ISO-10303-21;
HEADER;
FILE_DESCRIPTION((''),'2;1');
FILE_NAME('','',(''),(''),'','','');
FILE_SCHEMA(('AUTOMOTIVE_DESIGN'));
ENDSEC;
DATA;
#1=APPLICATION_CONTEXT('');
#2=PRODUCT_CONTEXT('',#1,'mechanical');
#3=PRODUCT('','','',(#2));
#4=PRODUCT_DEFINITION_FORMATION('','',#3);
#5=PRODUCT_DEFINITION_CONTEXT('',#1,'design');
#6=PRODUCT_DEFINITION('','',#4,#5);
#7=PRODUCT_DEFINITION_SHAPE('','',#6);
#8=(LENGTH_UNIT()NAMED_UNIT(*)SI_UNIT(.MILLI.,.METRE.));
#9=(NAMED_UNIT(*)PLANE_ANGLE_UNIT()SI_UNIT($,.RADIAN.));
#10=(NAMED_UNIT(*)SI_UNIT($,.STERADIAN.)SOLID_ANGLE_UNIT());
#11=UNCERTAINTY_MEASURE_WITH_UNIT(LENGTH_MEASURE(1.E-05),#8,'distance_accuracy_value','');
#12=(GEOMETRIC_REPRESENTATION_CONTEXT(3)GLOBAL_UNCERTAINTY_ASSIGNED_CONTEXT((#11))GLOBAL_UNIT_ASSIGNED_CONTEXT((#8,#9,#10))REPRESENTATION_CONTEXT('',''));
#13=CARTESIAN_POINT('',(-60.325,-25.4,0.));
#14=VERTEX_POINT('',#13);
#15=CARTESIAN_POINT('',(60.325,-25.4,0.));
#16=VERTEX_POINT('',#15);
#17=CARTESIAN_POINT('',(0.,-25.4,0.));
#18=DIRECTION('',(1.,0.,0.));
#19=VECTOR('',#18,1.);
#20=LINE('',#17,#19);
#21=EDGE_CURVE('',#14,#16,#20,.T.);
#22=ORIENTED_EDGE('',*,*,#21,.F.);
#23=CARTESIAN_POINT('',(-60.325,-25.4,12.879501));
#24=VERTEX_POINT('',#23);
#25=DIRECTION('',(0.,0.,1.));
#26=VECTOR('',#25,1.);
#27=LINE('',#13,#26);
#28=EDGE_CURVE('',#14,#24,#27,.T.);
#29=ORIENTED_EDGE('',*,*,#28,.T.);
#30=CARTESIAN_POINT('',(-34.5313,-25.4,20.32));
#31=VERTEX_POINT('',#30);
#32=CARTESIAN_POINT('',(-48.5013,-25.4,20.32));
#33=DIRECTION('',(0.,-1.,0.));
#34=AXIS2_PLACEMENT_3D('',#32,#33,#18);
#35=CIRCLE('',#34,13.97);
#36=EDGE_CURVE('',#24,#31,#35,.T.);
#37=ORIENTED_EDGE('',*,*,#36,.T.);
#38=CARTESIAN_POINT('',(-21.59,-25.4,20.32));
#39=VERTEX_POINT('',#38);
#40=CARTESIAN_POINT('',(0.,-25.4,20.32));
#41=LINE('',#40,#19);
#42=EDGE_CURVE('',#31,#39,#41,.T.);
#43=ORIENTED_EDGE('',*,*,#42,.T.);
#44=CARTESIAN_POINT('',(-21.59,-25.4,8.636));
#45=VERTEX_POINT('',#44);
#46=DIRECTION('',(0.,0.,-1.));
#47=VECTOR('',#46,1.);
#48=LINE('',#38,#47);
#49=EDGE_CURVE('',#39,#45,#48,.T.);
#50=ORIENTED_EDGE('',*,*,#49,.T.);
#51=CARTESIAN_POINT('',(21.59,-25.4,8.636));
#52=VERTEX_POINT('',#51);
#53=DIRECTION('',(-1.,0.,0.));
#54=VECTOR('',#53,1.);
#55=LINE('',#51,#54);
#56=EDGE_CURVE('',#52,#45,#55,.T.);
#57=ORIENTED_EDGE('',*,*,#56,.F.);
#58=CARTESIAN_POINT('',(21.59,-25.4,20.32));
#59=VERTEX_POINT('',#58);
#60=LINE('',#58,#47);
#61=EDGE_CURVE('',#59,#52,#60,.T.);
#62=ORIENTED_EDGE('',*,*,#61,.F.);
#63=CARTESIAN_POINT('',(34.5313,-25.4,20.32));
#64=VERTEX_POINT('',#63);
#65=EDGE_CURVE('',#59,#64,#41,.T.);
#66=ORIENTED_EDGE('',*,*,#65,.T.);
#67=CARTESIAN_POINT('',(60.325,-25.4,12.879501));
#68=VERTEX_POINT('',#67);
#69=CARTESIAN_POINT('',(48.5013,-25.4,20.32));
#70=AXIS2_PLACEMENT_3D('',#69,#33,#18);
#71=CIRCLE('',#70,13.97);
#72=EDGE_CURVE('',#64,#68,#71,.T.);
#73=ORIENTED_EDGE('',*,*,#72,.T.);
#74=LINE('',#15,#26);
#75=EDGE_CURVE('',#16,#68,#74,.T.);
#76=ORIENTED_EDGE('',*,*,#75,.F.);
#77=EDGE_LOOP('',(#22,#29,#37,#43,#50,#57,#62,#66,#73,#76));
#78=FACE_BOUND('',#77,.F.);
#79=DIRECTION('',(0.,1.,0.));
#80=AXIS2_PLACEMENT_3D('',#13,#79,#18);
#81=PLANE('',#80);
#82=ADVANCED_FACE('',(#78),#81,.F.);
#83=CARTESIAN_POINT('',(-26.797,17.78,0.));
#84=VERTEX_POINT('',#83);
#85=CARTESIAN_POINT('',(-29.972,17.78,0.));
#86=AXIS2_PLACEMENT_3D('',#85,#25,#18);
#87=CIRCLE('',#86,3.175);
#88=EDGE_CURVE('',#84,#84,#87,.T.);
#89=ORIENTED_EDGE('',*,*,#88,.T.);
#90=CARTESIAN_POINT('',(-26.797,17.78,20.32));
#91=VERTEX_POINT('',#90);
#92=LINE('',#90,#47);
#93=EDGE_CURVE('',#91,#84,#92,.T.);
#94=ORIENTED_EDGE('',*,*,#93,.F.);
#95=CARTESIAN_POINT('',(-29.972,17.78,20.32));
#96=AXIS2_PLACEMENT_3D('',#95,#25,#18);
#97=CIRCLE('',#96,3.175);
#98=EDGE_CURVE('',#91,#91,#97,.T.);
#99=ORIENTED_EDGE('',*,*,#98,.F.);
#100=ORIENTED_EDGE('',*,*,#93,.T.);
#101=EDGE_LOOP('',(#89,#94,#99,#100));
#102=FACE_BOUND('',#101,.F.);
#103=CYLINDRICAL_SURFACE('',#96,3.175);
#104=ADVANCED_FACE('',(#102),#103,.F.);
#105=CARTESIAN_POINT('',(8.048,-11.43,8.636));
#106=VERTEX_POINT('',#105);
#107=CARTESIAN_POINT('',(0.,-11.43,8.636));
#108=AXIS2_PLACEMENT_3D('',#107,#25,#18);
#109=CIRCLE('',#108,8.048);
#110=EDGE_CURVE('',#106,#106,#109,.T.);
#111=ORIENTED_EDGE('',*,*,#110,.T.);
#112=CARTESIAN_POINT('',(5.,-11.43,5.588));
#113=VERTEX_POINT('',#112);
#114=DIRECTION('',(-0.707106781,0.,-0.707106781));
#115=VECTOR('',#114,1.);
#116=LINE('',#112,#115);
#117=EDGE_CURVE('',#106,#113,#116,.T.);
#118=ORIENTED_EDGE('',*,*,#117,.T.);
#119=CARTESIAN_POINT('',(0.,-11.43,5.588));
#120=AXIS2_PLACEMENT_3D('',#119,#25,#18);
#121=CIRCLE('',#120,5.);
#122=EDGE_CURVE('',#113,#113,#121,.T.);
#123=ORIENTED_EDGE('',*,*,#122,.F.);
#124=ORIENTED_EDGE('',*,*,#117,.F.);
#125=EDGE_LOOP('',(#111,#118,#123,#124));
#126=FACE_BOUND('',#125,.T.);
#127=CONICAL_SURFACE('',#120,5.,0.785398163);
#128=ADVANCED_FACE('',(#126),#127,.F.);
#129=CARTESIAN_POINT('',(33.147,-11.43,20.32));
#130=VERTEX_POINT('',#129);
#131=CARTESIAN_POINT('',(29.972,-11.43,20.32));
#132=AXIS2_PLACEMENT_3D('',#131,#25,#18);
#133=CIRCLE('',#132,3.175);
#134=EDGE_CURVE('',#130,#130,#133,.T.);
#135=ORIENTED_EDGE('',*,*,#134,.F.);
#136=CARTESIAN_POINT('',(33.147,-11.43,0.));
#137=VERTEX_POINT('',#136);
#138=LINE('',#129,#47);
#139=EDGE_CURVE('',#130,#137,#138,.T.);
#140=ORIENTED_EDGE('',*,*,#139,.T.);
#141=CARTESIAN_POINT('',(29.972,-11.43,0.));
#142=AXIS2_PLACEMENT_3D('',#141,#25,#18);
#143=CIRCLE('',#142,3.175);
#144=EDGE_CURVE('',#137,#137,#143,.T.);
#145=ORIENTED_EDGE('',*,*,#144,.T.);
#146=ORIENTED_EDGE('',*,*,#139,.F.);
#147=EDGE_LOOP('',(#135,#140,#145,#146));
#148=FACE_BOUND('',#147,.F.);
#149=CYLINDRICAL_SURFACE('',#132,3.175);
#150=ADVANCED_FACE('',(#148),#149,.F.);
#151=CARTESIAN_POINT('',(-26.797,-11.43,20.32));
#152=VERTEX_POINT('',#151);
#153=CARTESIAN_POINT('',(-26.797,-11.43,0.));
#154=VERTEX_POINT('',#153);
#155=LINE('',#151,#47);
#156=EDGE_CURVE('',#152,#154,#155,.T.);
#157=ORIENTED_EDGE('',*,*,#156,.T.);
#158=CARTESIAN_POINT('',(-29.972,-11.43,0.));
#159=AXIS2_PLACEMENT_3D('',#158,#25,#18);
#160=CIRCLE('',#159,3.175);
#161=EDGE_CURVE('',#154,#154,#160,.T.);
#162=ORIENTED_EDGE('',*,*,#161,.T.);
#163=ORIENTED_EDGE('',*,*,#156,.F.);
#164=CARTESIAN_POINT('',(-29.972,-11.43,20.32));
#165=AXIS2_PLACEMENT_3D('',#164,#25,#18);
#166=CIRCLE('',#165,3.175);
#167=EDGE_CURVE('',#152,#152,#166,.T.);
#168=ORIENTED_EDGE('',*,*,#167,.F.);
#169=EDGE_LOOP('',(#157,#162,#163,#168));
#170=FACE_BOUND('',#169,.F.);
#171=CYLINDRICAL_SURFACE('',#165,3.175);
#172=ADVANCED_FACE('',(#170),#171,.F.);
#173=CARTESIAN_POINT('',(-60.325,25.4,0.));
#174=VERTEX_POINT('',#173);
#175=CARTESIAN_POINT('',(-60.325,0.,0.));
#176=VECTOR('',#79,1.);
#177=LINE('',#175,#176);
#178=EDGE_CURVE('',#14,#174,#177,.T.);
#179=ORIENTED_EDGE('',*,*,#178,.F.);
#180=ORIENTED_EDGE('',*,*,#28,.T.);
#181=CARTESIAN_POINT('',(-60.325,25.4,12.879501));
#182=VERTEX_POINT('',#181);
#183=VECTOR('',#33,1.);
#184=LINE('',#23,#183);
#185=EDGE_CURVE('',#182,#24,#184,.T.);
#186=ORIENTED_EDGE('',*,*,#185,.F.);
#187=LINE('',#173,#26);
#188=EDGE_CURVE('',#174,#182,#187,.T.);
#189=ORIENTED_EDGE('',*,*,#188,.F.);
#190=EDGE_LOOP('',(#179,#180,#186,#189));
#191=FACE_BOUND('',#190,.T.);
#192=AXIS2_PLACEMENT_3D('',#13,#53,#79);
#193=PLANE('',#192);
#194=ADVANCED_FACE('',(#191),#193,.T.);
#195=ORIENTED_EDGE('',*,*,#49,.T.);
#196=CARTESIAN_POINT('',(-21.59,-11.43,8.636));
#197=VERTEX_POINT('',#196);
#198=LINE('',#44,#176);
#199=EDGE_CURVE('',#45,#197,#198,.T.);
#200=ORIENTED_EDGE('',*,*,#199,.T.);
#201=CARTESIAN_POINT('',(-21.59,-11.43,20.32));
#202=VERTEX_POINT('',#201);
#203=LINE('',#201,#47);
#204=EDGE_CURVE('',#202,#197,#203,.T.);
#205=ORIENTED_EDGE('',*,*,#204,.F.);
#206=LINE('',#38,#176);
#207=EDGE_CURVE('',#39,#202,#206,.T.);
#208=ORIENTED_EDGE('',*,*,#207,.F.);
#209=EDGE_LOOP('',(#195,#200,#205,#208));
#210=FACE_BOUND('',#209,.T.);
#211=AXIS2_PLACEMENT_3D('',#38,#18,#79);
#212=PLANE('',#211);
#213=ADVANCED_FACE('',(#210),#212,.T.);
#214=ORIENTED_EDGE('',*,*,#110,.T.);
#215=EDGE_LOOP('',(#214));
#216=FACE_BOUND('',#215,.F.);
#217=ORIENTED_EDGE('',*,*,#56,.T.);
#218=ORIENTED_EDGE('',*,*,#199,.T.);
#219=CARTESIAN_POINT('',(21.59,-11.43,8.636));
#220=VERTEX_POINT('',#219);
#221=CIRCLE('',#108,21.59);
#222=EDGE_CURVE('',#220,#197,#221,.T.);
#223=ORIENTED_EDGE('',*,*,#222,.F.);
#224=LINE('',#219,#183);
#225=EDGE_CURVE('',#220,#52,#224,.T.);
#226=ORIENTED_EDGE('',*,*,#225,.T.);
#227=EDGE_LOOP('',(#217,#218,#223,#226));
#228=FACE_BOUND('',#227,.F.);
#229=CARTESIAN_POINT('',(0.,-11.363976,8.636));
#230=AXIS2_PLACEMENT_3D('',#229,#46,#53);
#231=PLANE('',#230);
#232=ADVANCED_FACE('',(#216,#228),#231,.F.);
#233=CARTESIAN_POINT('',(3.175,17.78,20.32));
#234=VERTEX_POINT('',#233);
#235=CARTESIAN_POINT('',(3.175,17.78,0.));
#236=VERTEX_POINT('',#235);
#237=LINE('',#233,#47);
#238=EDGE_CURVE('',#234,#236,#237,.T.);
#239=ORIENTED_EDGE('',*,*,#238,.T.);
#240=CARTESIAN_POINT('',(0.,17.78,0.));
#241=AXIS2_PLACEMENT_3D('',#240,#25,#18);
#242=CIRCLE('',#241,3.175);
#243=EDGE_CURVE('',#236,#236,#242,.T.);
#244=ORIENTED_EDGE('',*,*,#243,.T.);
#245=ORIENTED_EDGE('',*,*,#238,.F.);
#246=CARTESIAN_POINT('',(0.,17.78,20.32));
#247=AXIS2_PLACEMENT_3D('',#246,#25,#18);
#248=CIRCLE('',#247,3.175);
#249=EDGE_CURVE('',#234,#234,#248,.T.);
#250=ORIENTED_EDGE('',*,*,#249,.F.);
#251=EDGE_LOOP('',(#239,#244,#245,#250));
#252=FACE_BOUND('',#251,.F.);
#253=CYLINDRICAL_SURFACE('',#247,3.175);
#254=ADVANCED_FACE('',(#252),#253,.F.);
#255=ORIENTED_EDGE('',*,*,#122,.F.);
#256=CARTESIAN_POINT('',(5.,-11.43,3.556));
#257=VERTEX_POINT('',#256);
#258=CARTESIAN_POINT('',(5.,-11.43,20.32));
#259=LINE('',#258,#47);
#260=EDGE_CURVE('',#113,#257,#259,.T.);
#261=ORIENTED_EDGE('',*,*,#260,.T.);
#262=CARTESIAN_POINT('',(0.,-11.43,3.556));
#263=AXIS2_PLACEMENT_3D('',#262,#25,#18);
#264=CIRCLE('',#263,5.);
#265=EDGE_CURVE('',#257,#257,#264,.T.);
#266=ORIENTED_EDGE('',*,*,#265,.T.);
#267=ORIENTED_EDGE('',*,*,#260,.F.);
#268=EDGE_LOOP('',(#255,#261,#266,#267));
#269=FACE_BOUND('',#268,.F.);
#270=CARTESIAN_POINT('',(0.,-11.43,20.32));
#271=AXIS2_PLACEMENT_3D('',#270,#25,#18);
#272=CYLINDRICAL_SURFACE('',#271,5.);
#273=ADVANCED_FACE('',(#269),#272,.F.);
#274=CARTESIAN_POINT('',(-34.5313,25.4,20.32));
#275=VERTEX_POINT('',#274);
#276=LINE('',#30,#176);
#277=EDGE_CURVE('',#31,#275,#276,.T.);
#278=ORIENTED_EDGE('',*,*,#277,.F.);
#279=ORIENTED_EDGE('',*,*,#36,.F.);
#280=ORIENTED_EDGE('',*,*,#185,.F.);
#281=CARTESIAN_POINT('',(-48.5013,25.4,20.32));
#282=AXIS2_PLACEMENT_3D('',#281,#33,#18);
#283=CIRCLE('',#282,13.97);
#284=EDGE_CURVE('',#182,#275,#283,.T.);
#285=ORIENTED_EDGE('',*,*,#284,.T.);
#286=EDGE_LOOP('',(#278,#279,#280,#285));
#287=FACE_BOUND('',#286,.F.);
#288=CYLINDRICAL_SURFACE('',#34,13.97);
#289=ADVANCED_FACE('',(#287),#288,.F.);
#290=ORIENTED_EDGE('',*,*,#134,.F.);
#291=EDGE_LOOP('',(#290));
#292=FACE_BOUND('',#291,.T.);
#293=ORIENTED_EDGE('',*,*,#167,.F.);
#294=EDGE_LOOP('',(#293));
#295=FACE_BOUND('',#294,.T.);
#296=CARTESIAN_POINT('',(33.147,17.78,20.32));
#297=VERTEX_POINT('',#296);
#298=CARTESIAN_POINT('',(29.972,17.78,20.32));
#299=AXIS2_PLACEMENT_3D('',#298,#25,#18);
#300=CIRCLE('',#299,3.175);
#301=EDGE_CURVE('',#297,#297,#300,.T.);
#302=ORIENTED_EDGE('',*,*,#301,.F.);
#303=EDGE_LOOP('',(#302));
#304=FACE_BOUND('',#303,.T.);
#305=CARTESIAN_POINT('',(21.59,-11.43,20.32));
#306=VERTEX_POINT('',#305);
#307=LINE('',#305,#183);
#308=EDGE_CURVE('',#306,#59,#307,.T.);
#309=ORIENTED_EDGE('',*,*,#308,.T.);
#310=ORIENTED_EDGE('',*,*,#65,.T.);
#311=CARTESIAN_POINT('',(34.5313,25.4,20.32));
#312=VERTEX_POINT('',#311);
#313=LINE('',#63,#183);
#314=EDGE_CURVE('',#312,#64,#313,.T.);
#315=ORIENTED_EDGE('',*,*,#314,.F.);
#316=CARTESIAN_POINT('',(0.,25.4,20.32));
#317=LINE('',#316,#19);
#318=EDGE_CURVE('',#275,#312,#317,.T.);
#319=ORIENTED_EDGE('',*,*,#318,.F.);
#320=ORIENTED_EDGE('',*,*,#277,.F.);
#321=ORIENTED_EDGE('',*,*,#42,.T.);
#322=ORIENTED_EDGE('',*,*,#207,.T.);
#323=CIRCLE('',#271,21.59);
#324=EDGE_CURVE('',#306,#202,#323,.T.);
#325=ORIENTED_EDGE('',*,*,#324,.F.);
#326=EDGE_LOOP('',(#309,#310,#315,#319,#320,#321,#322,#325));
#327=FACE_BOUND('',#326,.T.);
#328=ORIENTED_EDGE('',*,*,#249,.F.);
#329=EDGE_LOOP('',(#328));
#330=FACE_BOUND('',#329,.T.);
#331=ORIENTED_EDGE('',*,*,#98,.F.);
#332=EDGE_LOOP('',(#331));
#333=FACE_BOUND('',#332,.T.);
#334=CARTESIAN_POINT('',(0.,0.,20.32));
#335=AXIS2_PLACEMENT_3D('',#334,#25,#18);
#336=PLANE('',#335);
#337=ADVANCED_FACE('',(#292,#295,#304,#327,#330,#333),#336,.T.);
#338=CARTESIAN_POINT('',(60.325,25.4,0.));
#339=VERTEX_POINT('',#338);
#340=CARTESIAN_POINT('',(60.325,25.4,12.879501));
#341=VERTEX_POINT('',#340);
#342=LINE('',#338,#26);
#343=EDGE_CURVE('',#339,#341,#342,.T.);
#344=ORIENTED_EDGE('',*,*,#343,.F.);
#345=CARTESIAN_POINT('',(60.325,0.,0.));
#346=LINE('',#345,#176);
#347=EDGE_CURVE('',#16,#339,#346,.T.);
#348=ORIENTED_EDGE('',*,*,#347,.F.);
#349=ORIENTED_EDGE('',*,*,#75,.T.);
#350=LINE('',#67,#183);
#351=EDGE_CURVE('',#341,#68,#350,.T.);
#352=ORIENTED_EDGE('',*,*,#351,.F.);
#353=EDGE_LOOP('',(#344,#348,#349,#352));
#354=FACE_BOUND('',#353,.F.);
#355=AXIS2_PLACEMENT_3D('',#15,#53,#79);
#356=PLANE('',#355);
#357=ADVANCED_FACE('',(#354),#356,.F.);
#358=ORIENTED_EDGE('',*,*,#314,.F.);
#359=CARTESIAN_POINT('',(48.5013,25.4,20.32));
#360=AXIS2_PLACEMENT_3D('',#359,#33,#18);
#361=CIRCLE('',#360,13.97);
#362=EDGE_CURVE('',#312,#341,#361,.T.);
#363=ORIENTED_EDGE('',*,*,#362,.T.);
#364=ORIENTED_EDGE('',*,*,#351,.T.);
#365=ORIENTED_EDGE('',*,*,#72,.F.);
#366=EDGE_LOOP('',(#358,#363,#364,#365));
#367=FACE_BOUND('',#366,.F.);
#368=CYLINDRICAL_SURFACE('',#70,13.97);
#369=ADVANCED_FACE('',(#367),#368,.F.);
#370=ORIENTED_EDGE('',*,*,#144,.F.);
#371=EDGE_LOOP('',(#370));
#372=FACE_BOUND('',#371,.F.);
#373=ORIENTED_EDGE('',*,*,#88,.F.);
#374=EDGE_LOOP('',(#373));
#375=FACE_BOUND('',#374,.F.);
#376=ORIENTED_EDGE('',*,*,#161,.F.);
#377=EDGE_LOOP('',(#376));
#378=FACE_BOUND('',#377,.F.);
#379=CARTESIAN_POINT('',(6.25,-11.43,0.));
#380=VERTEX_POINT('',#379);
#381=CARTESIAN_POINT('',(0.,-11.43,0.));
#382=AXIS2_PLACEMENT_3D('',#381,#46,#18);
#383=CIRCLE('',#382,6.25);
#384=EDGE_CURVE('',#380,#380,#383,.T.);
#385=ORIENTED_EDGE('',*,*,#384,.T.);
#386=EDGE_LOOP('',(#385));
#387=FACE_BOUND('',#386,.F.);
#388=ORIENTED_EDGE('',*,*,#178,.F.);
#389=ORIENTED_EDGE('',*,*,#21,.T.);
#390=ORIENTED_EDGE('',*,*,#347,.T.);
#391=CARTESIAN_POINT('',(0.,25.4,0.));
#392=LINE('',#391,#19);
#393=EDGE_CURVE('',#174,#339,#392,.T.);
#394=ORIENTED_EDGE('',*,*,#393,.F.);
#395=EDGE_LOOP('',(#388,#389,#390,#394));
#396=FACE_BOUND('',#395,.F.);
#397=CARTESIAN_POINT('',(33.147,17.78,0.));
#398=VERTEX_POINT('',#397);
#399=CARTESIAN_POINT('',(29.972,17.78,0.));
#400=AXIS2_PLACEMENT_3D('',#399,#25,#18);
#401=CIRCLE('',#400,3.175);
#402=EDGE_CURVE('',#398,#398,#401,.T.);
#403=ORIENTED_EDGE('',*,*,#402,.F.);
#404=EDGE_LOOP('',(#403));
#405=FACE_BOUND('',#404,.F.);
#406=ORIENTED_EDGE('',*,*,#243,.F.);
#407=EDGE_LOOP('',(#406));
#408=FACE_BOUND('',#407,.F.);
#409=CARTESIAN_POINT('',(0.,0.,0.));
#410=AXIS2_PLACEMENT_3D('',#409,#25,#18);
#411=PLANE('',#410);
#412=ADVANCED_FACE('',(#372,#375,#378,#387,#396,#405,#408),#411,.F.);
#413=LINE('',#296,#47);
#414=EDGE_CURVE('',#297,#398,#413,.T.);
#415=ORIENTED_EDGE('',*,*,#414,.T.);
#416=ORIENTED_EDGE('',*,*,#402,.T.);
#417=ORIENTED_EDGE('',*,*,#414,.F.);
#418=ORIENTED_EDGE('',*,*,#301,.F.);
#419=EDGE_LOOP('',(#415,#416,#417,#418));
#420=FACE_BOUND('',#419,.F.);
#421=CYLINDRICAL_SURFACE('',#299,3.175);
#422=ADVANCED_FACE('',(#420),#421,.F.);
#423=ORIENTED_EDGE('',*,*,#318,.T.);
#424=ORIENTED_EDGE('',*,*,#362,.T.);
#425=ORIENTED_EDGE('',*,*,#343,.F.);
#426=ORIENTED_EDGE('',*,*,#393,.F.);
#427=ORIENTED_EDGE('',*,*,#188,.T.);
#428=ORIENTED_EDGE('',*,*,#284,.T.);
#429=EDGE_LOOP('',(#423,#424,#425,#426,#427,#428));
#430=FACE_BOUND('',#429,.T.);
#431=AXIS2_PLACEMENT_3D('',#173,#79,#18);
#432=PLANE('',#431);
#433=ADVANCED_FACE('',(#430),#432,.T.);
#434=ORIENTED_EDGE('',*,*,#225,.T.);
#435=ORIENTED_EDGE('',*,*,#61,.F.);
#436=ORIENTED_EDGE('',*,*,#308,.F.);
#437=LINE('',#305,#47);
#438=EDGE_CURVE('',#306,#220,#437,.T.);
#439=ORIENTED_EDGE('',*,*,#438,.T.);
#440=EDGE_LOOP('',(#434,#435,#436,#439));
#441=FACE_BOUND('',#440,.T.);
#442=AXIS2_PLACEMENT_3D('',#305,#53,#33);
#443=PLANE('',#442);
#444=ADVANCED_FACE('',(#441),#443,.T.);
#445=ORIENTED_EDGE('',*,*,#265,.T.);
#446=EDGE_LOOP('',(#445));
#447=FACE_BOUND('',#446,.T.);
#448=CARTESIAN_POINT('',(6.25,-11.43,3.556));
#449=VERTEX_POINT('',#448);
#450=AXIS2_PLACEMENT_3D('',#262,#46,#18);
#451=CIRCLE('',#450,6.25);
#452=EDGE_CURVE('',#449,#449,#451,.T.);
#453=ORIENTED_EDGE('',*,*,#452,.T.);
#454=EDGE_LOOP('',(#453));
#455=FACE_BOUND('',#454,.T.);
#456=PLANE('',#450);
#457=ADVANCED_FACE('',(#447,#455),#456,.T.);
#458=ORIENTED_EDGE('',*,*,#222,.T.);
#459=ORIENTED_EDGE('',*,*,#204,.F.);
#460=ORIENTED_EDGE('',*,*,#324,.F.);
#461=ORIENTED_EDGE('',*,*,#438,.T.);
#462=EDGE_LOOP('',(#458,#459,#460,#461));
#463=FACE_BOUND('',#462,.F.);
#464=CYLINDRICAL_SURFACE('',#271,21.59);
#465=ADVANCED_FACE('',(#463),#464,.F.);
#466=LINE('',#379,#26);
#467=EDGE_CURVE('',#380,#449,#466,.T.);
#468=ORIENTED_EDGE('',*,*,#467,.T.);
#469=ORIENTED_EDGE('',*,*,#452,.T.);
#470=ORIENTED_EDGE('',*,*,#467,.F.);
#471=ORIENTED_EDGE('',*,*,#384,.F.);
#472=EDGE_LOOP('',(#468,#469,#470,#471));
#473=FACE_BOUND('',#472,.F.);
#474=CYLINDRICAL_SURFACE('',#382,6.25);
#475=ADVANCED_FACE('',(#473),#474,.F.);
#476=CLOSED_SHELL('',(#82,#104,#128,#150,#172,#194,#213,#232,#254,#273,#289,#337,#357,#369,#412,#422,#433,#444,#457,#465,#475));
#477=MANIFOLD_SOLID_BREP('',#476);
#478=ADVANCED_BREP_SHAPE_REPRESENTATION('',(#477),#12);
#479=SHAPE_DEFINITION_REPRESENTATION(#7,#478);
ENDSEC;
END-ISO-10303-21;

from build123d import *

# Parameters (mm, degrees)
SKETCH_W        = 120.65
SKETCH_H        = 50.8
PAD_DEPTH       = 20.32
POCKET_DEPTH    = 11.684
SKETCH002_R     = 13.97
POCKET001_DEPTH = 50.801
SKETCH003_R     = 3.175
SKETCH003_R_2   = 5
POCKET002_DEPTH = 20.321
SKETCH004_R     = 6.25
POCKET003_DEPTH = 3.556
CHAMFER_SIZE    = 3.048


with BuildPart() as part:
    # Sketch → Pad (new body)
    with BuildSketch(Plane.XY):
        Rectangle(SKETCH_W, SKETCH_H)
    extrude(amount=PAD_DEPTH)

    # Sketch001 (on Face6 of Pad) → Pocket (cut)
    with BuildSketch(Plane.XY.offset(20.32)):
        with BuildLine():
            Line((21.59, -11.43), (21.59, -25.4))
            Line((21.59, -25.4), (-21.59, -25.4))
            Line((-21.59, -25.4), (-21.59, -11.43))
            ThreePointArc((21.59, -11.43), (0, 10.16), (-21.59, -11.43))
        make_face()
    extrude(amount=-POCKET_DEPTH, mode=Mode.SUBTRACT)

    # Sketch002 (on Face6 of Pocket) → Pocket001 (cut, through all)
    with BuildSketch(Plane.XZ.offset(25.4)):
        with Locations((48.5013, 20.32)):
            Circle(SKETCH002_R)
        with Locations((-48.5013, 20.32)):
            Circle(SKETCH002_R)
    extrude(amount=-POCKET001_DEPTH, mode=Mode.SUBTRACT)

    # Sketch003 (on Face5 of Pocket001) → Pocket002 (cut, through all)
    with BuildSketch(Plane.XY.offset(20.32)):
        with Locations((-29.972, 17.78)):
            Circle(SKETCH003_R)
        with Locations((0, 17.78)):
            Circle(SKETCH003_R)
        with Locations((29.972, 17.78)):
            Circle(SKETCH003_R)
        with Locations((-29.972, -11.43)):
            Circle(SKETCH003_R)
        with Locations((0, -11.43)):
            Circle(SKETCH003_R_2)
        with Locations((29.972, -11.43)):
            Circle(SKETCH003_R)
    extrude(amount=-POCKET002_DEPTH, mode=Mode.SUBTRACT)

    # Sketch004 (on Face2 of Pocket002) → Pocket003 (cut)
    with BuildSketch(Plane(origin=(0, 0, 0), x_dir=(1, 0, 0), z_dir=(0, 0, -1))):
        with Locations((0, 11.43)):
            Circle(SKETCH004_R)
    extrude(amount=-POCKET003_DEPTH, mode=Mode.SUBTRACT)

    # Chamfer
    chamfer_edges = [part.edges().sort_by_distance(p)[0] for p in [
        (-5, -11.43, 8.636),
    ]]
    chamfer(chamfer_edges, length=CHAMFER_SIZE)


solid = part.part
